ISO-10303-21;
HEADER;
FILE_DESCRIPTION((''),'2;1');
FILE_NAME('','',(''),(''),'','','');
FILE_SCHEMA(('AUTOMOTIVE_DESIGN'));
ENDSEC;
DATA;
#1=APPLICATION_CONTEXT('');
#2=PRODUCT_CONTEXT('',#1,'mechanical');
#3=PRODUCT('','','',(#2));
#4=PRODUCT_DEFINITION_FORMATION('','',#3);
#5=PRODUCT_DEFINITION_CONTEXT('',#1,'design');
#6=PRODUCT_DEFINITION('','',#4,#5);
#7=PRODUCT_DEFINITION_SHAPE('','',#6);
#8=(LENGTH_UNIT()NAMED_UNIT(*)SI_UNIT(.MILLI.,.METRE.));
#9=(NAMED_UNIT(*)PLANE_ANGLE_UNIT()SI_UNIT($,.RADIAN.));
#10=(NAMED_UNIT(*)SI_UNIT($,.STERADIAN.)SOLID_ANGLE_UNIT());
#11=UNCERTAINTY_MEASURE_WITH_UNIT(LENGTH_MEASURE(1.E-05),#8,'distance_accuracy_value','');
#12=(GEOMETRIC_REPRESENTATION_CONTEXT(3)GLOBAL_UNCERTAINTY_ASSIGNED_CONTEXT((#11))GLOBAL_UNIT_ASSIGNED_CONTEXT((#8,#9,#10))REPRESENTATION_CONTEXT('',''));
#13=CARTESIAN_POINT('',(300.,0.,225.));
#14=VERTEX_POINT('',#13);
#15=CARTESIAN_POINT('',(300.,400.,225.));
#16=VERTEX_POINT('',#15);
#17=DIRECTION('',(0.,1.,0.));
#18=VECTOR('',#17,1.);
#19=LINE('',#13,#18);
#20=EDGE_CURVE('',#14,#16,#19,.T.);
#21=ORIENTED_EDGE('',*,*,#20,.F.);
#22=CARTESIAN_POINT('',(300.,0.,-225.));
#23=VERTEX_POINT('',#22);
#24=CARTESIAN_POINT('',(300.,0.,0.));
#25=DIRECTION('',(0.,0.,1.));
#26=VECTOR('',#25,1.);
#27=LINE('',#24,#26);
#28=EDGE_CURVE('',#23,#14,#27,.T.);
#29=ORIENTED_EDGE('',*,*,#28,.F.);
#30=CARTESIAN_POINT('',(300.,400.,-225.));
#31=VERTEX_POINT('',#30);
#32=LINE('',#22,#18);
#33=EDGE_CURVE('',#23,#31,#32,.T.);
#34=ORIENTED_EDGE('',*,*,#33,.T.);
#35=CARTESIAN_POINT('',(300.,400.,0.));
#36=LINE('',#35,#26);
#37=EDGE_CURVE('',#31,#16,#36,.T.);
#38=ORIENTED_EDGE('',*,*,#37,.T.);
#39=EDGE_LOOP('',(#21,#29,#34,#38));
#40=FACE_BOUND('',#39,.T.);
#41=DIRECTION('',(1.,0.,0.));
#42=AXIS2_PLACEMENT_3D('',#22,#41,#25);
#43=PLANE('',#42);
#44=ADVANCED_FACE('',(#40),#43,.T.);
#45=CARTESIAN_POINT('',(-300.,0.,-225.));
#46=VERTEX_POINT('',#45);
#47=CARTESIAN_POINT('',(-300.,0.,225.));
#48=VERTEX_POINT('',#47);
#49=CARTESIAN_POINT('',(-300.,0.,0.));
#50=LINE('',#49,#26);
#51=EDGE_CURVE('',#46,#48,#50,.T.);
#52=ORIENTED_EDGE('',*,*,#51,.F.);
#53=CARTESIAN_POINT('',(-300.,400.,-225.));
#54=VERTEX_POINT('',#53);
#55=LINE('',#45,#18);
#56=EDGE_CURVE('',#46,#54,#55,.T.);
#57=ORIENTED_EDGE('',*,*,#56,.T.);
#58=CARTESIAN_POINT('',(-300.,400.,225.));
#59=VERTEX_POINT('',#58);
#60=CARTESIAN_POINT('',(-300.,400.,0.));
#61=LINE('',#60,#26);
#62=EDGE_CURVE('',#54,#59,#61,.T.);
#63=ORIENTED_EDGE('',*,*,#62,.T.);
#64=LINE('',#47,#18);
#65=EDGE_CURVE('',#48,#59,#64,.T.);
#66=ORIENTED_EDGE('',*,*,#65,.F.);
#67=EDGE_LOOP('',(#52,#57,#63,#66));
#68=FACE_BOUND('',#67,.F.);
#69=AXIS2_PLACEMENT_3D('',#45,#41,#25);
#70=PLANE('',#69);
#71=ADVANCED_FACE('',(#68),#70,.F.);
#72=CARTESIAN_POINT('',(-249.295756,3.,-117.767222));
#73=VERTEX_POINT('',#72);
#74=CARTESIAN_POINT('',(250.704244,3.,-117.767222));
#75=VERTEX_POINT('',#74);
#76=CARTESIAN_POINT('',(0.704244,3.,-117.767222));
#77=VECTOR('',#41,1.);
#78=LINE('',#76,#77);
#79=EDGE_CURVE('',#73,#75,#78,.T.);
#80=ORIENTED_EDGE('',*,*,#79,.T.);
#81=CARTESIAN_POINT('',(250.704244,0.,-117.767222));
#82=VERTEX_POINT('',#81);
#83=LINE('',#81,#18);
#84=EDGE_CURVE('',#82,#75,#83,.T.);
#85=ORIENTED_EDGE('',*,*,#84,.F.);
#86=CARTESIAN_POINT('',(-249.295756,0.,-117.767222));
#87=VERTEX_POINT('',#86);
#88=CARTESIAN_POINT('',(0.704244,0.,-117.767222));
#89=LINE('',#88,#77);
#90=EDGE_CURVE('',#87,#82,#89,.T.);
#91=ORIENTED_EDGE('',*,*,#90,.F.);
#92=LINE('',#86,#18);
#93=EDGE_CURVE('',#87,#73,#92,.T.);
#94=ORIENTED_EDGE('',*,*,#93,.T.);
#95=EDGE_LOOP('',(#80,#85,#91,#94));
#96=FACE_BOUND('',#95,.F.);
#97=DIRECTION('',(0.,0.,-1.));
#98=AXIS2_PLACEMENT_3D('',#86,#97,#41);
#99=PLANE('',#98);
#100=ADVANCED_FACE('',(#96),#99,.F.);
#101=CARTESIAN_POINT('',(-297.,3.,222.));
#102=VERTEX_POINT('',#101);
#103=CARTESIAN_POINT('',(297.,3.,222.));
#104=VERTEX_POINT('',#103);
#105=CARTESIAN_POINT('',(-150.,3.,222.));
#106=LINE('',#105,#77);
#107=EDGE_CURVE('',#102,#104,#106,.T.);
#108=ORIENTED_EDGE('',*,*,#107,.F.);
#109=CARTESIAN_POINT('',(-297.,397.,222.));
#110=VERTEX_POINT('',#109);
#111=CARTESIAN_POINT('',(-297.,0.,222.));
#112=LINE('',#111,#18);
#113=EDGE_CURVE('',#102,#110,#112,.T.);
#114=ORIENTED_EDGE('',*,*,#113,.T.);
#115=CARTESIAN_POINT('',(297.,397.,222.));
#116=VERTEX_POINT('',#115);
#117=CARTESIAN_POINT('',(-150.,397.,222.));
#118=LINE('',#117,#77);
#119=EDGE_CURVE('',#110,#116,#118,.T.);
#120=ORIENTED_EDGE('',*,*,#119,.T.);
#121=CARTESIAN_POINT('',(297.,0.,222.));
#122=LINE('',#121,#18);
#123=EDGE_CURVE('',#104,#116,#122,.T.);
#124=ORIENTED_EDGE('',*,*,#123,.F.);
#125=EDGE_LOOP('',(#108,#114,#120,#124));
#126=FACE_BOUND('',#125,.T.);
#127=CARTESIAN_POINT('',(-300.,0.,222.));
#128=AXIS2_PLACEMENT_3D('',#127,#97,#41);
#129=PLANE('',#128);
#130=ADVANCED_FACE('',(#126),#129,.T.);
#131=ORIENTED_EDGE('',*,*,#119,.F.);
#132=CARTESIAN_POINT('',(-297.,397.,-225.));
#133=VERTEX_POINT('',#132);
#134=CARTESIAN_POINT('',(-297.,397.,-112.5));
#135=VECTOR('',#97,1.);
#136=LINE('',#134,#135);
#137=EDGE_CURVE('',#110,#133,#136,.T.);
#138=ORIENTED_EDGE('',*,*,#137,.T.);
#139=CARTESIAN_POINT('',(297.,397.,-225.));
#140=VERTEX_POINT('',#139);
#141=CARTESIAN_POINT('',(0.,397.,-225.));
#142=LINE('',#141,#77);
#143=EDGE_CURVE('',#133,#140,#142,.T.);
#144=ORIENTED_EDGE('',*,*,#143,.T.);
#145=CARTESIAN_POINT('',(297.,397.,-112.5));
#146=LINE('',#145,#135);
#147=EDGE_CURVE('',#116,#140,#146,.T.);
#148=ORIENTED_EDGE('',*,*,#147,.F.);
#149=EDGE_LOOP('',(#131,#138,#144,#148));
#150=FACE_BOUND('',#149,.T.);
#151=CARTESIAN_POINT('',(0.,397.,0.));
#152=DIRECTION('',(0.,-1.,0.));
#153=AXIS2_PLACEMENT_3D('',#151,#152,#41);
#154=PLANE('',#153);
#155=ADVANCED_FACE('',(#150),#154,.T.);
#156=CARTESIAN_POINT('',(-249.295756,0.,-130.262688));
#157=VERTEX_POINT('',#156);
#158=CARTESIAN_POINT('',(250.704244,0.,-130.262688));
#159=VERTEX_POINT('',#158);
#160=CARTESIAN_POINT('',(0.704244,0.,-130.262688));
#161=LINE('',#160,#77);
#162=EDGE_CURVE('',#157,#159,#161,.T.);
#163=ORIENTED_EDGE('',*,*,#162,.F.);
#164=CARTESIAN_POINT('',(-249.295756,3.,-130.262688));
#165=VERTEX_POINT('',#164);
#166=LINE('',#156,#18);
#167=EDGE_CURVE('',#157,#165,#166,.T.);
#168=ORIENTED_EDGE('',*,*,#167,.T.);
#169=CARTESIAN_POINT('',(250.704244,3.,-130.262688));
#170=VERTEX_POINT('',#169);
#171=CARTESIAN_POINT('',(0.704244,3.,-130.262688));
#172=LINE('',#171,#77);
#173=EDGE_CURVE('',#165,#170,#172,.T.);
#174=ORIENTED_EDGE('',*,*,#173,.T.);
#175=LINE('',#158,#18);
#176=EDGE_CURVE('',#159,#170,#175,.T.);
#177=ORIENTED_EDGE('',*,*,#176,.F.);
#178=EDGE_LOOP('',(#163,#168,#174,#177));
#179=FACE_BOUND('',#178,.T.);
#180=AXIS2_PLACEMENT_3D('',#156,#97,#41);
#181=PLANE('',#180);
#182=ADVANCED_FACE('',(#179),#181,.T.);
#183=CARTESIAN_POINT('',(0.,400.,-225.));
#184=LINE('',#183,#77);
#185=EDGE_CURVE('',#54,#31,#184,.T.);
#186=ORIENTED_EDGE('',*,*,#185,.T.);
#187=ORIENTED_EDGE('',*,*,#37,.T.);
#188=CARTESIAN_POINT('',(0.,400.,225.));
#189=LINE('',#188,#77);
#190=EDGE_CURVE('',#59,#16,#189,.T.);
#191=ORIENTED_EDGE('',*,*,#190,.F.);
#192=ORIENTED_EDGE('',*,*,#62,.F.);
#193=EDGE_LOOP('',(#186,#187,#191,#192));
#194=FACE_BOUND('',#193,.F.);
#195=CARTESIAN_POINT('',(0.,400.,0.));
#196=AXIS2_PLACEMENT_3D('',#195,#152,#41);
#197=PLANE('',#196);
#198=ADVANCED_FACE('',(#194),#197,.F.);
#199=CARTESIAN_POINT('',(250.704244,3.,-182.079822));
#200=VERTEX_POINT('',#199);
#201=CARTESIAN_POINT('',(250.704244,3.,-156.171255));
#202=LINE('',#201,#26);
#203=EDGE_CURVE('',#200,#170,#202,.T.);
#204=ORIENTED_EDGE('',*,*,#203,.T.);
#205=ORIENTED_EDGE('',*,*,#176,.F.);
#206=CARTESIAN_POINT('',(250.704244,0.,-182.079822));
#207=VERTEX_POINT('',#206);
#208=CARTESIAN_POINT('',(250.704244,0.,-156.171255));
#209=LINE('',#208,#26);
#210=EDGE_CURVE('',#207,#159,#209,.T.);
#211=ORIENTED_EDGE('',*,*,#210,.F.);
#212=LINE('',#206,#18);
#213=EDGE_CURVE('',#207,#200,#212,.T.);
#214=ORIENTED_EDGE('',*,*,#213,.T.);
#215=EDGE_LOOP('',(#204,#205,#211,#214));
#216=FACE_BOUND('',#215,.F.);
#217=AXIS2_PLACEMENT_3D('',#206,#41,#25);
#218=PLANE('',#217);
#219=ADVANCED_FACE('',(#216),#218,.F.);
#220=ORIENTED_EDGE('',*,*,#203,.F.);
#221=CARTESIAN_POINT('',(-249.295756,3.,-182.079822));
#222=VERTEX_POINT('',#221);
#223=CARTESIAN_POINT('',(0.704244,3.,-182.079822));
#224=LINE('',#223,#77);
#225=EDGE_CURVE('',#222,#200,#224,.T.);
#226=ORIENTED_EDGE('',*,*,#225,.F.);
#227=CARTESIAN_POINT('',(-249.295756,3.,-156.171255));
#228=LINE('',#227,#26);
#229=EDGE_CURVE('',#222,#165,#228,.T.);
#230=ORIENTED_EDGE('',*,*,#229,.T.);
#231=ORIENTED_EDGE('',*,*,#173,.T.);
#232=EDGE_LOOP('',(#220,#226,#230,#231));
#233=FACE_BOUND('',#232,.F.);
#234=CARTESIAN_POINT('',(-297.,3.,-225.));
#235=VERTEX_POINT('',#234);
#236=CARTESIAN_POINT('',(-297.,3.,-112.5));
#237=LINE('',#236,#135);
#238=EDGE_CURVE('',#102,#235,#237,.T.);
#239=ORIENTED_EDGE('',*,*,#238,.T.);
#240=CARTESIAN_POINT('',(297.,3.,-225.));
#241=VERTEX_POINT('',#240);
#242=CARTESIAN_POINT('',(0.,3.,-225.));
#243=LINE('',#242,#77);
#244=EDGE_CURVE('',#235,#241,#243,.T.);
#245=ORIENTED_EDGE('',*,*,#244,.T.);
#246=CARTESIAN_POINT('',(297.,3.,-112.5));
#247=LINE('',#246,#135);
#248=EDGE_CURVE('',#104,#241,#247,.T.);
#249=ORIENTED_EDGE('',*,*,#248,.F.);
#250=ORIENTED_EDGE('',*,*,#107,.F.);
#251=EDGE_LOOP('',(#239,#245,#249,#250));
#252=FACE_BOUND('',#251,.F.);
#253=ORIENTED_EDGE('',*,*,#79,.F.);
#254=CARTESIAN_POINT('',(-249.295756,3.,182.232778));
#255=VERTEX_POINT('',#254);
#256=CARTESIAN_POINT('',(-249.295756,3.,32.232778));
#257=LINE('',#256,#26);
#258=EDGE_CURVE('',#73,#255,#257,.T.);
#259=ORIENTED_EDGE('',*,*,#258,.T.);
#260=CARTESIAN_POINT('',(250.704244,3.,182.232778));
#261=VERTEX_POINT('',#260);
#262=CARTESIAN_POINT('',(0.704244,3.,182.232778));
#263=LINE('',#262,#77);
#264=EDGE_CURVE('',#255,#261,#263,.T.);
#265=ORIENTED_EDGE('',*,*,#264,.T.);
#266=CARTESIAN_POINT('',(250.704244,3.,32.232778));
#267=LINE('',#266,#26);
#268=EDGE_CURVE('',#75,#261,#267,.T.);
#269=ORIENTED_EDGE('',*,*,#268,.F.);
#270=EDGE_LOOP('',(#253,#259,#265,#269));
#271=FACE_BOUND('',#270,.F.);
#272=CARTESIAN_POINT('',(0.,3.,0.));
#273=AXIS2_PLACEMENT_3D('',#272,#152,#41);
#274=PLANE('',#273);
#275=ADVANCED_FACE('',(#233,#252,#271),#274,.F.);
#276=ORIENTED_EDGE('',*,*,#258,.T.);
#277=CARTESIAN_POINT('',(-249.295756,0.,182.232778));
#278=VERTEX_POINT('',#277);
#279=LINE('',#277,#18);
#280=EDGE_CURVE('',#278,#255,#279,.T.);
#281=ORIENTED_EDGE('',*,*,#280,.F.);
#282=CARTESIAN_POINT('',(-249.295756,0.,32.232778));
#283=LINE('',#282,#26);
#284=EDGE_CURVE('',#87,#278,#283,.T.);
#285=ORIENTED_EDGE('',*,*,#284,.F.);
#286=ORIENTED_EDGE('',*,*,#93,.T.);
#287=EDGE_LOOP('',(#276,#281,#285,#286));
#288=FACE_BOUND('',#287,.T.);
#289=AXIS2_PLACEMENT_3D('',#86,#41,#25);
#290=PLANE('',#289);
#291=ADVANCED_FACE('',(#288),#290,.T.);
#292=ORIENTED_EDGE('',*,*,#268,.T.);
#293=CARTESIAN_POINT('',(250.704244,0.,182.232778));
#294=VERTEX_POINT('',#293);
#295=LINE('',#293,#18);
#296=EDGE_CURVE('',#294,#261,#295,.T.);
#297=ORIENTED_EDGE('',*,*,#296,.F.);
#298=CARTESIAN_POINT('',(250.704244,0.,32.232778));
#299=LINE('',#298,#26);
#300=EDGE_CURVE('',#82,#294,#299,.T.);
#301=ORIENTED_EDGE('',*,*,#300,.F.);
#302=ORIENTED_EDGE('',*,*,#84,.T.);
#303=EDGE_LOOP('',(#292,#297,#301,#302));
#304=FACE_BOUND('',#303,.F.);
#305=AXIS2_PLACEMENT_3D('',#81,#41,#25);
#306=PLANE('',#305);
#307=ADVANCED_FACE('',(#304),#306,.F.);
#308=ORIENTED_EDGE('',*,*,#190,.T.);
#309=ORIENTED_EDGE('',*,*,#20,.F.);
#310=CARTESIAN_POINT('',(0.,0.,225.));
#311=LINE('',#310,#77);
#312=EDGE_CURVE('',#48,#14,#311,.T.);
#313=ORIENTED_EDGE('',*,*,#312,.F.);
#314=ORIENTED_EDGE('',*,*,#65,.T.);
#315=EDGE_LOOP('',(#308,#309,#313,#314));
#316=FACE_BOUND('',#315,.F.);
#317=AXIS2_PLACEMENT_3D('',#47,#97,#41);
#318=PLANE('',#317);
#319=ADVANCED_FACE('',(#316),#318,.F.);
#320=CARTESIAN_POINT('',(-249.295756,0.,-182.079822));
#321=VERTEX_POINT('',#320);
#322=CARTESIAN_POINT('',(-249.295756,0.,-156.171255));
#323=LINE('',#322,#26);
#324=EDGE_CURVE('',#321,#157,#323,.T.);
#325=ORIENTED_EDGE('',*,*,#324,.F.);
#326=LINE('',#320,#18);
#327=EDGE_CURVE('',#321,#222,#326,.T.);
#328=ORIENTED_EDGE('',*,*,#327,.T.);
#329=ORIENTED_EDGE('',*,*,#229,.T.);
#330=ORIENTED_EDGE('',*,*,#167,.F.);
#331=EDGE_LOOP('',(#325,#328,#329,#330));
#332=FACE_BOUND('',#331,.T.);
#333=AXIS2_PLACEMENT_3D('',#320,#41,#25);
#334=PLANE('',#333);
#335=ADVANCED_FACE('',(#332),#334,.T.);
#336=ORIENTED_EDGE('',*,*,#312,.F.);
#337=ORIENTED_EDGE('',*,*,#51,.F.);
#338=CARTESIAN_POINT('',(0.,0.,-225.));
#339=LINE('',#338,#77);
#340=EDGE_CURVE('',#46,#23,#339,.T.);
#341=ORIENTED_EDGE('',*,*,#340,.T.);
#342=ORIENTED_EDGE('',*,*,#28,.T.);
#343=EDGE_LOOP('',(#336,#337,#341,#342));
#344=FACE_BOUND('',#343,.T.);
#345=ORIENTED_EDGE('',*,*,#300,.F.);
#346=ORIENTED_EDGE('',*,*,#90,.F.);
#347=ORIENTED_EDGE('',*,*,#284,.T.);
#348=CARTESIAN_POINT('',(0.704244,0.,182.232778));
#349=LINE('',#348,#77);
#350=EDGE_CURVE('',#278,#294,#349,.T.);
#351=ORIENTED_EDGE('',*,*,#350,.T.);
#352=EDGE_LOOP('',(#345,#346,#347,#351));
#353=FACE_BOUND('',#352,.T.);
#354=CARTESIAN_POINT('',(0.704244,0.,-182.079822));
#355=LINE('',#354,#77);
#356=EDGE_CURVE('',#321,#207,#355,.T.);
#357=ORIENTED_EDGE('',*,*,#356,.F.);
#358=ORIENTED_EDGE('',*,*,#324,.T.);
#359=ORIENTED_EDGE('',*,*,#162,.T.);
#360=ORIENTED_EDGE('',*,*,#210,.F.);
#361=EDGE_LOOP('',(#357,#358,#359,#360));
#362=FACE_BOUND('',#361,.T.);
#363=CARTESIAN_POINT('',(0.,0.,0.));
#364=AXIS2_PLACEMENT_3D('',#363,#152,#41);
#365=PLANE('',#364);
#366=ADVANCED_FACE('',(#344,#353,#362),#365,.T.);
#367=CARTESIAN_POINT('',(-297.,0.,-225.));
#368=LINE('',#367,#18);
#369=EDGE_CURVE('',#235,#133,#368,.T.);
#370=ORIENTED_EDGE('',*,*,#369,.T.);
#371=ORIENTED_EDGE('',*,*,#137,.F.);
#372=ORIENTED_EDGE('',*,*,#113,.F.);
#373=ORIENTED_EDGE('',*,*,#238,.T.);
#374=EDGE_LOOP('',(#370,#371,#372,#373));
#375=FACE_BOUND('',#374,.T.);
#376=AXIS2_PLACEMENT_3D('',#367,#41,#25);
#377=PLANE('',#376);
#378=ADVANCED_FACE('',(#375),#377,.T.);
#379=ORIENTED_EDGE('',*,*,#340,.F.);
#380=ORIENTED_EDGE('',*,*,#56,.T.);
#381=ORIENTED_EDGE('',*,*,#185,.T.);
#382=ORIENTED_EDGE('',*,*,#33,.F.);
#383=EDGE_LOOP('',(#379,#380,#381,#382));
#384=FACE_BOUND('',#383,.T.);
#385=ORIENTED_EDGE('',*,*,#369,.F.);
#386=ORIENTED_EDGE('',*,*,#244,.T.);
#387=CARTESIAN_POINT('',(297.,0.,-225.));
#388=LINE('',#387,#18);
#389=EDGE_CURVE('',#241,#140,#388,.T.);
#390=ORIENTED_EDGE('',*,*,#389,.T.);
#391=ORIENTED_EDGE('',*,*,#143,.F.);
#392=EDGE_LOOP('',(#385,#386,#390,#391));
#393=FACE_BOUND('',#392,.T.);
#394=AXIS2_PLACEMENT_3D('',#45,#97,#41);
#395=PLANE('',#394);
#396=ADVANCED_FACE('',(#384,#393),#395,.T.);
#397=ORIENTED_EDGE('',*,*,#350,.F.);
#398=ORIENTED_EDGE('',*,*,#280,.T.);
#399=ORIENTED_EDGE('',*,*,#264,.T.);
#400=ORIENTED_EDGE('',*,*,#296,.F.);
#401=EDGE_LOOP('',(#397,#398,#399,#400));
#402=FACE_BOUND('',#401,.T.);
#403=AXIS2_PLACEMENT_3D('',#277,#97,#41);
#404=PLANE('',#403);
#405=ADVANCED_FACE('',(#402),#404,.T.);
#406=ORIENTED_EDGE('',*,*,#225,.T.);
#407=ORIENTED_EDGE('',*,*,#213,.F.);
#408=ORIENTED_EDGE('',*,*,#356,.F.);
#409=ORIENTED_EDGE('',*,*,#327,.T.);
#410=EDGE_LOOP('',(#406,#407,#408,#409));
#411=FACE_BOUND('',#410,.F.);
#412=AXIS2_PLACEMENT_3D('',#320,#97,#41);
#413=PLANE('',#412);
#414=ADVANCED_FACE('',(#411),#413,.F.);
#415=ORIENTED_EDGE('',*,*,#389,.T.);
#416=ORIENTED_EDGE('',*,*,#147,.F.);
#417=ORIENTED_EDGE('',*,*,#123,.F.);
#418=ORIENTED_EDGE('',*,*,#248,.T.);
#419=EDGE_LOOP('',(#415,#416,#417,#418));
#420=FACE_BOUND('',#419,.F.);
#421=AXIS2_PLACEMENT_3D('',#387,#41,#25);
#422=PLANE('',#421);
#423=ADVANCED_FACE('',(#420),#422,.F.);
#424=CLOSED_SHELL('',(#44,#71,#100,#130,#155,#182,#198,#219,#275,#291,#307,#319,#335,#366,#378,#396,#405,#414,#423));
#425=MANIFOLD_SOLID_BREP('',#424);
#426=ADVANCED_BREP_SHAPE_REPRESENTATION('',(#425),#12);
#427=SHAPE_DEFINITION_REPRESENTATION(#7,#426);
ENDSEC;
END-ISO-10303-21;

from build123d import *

# Parameters (mm, degrees)
F0_W     = 600
F0_H     = 450
F0_W_2   = 500
F0_H_2   = 51.817134
F0_H_3   = 300
F1_DEPTH = 400
F2_T     = -3
F3_DEPTH = 3


with BuildPart() as f1:
    # F0 (on Front) → F1 (new body)
    with BuildSketch(Plane.XZ):
        Rectangle(F0_W, F0_H)
        with Locations((0.704244, -156.171255)):
            Rectangle(F0_W_2, F0_H_2, mode=Mode.SUBTRACT)
        with Locations((0.704244, 32.232778)):
            Rectangle(F0_W_2, F0_H_3, mode=Mode.SUBTRACT)
        with Locations((0.704244, 32.232778)):
            Rectangle(F0_W_2, F0_H_3)
        with Locations((0.704244, -156.171255)):
            Rectangle(F0_W_2, F0_H_2)
    extrude(amount=-F1_DEPTH)

    # F2
    f2_openings = [f1.faces().sort_by_distance(p)[0] for p in [
        (0, 200, -225),
    ]]
    offset(amount=F2_T, openings=f2_openings)

    # F0 (on Front) → F3 (cut)
    with BuildSketch(Plane.XZ):
        with Locations((0.704244, 32.232778)):
            Rectangle(F0_W_2, F0_H_3)
        with Locations((0.704244, -156.171255)):
            Rectangle(F0_W_2, F0_H_2)
    extrude(amount=-F3_DEPTH, mode=Mode.SUBTRACT)


solid = f1.part
